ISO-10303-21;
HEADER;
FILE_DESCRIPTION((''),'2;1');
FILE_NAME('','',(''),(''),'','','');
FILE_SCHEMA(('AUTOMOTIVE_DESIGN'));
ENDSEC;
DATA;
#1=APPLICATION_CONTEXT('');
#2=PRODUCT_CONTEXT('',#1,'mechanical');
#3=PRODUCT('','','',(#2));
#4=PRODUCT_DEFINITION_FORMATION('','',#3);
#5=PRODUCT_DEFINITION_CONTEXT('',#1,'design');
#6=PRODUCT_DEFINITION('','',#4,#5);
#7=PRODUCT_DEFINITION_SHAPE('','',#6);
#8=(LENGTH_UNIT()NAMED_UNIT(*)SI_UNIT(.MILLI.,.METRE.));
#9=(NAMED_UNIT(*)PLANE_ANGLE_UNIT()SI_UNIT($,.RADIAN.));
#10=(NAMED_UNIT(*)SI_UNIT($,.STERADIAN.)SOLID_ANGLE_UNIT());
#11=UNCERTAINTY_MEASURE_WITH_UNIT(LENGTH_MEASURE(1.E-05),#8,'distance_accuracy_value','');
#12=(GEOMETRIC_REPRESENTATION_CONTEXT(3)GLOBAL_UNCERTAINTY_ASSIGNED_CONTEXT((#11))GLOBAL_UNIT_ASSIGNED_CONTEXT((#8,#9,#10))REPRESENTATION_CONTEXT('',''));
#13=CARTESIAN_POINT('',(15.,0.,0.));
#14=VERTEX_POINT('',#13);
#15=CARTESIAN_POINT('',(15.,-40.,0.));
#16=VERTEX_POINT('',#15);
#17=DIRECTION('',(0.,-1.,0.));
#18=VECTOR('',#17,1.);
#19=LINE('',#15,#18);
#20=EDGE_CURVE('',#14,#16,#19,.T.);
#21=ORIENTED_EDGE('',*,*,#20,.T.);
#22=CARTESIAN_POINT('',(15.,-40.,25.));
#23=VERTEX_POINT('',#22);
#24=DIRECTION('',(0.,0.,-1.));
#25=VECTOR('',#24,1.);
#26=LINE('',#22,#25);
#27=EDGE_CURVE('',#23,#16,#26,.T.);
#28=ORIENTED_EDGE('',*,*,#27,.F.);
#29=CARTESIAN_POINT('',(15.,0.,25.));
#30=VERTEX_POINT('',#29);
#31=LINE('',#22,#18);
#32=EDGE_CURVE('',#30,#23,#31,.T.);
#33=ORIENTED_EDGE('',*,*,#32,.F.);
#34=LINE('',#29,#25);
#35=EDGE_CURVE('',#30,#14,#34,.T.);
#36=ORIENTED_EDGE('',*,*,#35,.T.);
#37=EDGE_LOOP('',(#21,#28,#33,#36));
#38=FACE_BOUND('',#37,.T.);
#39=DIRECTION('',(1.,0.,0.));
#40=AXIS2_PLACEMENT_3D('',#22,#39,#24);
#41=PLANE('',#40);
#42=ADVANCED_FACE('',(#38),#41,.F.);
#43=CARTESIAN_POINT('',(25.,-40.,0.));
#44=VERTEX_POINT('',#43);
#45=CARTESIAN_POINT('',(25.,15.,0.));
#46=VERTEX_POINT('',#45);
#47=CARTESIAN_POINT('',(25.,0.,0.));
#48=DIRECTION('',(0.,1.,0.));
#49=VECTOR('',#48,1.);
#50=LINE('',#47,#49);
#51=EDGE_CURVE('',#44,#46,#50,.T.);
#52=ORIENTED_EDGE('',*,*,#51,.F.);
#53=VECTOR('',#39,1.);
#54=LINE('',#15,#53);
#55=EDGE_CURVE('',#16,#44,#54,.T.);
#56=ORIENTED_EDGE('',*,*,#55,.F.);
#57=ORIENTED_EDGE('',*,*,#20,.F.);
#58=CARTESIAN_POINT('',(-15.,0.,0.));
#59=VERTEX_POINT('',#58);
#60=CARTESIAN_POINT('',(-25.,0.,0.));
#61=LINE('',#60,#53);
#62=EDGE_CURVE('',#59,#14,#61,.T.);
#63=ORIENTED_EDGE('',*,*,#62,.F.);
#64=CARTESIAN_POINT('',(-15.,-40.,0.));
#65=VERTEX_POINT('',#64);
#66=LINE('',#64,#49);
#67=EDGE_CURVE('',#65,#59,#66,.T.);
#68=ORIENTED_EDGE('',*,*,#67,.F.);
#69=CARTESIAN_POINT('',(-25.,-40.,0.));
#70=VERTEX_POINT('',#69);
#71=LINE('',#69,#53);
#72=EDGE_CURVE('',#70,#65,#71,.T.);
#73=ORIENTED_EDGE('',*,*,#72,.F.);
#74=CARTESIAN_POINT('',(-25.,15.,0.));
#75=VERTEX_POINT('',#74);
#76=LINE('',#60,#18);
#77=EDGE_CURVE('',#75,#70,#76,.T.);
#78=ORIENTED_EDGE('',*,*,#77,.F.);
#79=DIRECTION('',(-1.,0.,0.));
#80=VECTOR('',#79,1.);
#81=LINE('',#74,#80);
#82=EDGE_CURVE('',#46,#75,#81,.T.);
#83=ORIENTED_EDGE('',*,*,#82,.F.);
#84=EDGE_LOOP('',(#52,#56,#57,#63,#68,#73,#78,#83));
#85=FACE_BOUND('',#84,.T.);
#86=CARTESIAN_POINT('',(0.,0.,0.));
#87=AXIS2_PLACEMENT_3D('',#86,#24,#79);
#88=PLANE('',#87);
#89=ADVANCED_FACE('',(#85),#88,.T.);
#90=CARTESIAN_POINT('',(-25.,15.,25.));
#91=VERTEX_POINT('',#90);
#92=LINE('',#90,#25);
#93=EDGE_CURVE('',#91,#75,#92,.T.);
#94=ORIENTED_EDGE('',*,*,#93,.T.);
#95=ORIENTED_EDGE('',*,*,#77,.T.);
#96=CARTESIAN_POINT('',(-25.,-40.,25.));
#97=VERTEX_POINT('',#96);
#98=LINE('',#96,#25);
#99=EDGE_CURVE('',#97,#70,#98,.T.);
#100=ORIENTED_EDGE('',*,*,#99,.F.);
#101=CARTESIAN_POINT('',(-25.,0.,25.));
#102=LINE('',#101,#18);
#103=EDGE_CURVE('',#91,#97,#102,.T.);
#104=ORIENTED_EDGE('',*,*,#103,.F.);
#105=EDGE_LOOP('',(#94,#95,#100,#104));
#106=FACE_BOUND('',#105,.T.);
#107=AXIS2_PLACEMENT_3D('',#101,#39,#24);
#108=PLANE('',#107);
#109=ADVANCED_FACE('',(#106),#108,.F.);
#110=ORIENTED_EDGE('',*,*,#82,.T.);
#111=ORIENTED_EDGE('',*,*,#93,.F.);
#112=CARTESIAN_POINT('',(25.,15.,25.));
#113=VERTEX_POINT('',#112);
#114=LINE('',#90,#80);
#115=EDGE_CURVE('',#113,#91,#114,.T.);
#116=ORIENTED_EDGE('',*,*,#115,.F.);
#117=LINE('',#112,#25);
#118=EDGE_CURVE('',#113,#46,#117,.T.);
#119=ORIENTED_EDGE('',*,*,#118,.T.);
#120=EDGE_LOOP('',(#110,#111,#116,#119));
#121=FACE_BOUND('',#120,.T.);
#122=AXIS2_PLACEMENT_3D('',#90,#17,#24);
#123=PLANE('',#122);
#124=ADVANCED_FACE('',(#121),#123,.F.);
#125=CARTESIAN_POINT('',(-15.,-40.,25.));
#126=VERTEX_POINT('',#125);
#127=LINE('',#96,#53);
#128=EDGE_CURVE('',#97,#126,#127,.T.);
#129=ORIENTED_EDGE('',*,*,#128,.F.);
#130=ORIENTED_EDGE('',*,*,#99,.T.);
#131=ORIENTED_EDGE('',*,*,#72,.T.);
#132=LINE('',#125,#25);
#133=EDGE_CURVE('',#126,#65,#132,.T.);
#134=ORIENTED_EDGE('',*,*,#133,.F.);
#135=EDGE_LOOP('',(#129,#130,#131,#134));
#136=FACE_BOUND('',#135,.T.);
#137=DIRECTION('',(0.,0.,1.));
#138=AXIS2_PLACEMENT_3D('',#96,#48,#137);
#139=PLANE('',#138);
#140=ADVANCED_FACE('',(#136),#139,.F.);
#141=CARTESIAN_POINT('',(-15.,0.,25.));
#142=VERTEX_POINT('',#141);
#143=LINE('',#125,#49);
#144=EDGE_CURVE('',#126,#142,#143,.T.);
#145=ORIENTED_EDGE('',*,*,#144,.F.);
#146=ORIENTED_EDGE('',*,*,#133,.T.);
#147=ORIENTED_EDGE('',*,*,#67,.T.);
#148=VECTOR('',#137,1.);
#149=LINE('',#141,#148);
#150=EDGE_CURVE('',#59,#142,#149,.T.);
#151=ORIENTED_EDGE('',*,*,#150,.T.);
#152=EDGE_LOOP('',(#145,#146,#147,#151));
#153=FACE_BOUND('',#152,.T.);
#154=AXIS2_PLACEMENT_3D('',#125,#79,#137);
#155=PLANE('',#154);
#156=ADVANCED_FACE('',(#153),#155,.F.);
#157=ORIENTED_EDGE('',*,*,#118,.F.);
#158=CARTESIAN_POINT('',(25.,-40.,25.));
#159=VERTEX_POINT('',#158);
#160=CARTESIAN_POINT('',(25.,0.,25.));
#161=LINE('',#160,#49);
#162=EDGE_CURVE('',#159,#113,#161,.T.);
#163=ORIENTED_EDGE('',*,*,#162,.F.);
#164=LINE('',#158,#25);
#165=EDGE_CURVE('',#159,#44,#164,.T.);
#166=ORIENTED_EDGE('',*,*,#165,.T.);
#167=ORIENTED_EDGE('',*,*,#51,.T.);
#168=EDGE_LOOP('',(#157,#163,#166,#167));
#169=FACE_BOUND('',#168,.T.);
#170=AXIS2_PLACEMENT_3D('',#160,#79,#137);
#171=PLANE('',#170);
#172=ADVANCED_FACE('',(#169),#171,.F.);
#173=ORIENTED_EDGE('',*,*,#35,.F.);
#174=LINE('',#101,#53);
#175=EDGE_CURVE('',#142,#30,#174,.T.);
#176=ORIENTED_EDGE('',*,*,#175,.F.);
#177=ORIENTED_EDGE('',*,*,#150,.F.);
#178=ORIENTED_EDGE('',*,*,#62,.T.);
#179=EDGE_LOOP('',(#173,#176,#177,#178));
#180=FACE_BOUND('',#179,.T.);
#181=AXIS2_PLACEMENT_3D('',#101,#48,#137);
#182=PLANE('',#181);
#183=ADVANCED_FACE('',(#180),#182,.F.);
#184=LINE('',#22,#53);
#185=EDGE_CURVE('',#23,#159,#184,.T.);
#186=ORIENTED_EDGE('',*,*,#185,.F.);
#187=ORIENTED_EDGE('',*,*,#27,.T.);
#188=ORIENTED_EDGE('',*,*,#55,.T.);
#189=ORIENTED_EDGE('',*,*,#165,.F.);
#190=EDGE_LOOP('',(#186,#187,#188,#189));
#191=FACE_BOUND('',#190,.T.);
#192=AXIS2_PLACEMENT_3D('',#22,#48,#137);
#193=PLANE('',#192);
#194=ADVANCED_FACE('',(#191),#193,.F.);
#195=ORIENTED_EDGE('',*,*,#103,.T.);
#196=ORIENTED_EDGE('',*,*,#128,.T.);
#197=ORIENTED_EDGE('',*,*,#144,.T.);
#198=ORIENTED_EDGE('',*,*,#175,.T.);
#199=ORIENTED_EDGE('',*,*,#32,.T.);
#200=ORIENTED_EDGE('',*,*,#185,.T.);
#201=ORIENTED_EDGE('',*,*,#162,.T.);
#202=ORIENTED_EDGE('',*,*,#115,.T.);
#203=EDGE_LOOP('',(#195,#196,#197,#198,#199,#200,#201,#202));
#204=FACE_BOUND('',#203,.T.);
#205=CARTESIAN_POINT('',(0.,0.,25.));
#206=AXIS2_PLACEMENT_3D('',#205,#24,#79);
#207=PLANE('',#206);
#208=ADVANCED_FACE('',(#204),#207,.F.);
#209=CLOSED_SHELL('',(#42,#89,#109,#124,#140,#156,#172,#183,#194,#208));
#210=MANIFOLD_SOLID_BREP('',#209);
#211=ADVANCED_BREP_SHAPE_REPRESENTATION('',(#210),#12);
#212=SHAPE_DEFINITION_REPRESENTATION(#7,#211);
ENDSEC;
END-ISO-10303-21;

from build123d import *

# Parameters (mm, degrees)
SKETCH1_W           = 50
SKETCH1_H           = 15
BOSS_EXTRUDE1_DEPTH = 25
SKETCH2_W           = 10
SKETCH2_H           = 41
BOSS_EXTRUDE2_DEPTH = 25
SKETCH3_W           = 10
SKETCH3_H           = 41
BOSS_EXTRUDE3_DEPTH = 25


with BuildPart() as part:
    # Sketch1 → Boss-Extrude1 (new body)
    with BuildSketch(Plane.XY):
        with Locations((0, 7.5)):
            Rectangle(SKETCH1_W, SKETCH1_H)
    extrude(amount=BOSS_EXTRUDE1_DEPTH)

    # Sketch2 → Boss-Extrude2 (add)
    with BuildSketch(Plane.XY):
        with Locations((-20, -19.5)):
            Rectangle(SKETCH2_W, SKETCH2_H)
    extrude(amount=BOSS_EXTRUDE2_DEPTH)

    # Sketch3 → Boss-Extrude3 (add)
    with BuildSketch(Plane.XY):
        with Locations((20, -19.5)):
            Rectangle(SKETCH3_W, SKETCH3_H)
    extrude(amount=BOSS_EXTRUDE3_DEPTH)


solid = part.part
